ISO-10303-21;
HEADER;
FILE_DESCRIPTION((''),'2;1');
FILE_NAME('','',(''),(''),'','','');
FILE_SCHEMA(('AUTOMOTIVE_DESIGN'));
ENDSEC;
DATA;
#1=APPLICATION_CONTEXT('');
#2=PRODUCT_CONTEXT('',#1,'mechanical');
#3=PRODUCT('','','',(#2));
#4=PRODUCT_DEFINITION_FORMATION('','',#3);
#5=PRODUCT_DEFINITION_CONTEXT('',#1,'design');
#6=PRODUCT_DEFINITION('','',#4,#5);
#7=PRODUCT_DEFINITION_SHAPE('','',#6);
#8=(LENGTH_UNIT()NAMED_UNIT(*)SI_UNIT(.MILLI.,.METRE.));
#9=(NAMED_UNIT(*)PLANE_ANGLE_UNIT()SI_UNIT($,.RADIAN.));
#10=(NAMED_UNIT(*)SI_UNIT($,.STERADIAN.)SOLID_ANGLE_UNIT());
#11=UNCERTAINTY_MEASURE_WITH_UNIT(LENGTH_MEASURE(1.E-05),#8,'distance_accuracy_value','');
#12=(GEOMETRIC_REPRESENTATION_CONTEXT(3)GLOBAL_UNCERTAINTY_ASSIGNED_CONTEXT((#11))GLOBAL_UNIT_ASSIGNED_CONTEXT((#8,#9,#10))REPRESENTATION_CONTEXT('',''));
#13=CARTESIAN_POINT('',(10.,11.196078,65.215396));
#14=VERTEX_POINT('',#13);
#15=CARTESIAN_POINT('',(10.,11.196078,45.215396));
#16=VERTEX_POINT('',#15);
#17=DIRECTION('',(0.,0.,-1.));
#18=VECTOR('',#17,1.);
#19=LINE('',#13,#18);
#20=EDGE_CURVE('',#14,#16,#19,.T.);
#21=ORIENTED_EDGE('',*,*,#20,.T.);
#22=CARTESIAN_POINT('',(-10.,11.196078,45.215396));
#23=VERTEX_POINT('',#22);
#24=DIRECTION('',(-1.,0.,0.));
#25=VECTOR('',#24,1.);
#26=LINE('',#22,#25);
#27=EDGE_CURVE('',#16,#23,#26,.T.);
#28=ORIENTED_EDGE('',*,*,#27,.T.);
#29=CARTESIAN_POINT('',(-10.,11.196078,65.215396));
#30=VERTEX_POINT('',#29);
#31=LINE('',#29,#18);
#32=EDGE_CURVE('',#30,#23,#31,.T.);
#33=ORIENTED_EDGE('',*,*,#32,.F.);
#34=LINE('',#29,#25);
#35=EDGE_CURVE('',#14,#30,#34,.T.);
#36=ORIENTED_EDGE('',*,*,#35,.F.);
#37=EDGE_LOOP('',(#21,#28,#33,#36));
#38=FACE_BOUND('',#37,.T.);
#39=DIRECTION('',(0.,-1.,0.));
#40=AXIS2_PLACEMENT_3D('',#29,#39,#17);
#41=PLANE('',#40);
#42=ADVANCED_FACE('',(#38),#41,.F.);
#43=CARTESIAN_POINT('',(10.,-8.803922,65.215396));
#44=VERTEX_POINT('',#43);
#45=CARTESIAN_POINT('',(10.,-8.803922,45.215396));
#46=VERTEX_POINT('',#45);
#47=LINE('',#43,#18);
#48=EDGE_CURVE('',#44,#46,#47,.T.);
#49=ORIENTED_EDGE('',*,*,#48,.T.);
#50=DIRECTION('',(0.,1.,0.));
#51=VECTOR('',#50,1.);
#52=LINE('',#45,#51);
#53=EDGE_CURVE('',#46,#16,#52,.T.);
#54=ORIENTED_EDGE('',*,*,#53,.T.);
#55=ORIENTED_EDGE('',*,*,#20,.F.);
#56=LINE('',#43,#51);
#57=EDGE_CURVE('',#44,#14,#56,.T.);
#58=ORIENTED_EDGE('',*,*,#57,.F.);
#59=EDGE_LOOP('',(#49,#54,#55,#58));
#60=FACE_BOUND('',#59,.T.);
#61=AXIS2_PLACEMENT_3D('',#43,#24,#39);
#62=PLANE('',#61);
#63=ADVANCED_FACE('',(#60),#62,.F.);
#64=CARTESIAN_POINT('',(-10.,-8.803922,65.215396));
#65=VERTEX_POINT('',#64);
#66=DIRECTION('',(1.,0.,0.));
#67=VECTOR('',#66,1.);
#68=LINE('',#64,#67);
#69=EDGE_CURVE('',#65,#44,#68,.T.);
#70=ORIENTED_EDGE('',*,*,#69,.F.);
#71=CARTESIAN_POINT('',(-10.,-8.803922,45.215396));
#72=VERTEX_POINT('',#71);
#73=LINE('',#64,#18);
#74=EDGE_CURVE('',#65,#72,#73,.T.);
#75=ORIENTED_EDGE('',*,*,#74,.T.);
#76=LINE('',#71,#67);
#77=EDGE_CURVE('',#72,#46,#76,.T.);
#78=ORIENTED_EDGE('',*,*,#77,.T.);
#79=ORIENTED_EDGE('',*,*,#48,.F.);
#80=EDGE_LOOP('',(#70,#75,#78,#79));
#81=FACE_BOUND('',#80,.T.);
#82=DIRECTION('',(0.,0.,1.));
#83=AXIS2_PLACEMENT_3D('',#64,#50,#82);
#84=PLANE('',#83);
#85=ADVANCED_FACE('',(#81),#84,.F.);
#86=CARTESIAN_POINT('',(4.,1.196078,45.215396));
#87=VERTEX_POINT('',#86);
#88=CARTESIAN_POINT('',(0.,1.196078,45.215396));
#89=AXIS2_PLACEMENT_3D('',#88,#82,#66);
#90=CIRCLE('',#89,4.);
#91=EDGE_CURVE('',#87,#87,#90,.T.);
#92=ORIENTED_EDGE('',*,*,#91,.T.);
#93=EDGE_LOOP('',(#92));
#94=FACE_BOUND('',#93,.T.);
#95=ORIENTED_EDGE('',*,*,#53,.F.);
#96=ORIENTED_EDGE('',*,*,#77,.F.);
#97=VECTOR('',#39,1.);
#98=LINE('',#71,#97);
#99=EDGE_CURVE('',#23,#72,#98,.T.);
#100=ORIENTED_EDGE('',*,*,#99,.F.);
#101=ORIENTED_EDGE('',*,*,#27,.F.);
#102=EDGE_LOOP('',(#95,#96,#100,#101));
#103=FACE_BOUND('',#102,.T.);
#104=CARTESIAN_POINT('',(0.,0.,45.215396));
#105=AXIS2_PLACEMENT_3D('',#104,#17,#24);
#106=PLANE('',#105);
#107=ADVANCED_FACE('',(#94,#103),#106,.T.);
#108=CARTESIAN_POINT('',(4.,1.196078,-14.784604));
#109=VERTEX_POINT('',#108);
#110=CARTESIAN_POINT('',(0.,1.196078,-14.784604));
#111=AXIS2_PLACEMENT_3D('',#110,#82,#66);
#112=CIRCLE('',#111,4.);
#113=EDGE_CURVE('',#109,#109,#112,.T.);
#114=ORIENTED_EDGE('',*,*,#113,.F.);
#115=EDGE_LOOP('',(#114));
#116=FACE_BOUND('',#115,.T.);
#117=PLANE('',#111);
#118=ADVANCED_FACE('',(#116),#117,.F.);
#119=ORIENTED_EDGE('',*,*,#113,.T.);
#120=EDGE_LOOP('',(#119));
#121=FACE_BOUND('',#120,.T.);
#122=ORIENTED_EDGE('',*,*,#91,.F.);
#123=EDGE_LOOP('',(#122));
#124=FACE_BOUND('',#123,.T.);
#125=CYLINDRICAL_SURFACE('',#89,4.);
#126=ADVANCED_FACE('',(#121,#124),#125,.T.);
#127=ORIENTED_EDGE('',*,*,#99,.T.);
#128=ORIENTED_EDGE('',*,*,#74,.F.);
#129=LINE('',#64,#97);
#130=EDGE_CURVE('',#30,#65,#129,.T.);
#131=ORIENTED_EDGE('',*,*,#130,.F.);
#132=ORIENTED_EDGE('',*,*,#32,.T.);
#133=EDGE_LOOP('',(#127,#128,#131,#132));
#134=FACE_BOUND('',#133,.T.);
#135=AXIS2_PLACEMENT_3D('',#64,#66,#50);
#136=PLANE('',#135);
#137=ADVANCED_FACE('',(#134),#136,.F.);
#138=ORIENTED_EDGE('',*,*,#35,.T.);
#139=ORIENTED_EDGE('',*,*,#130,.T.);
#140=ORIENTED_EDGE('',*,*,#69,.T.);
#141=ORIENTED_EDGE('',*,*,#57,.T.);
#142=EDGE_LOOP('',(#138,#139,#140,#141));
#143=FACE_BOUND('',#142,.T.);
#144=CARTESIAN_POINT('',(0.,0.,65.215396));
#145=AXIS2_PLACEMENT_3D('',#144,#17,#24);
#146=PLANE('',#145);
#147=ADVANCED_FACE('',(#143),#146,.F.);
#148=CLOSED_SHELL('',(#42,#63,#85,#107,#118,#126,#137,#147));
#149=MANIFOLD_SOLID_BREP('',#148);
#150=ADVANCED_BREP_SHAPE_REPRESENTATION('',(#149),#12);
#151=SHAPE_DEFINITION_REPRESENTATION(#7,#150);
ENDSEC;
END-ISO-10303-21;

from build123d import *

# Parameters (mm, degrees)
SKETCH1_W           = 60
SKETCH1_H           = 4
SKETCH4_W           = 20
SKETCH4_H           = 20
BOSS_EXTRUDE2_DEPTH = 20


with BuildPart() as part:
    # Sketch1 → Revolve1 (revolve)
    with BuildSketch(Plane(origin=(0, 0, 0), x_dir=(0, 0, -1), z_dir=(1, 0, 0)), mode=Mode.PRIVATE) as revolve1_sk:
        with Locations((-15.215395953, 3.196078431)):
            Rectangle(SKETCH1_W, SKETCH1_H)
    revolve(revolve1_sk.sketch.rotate(Axis((0, 1.196078431, 45.215395953), (0, 0, -1)), 90), axis=Axis((0, 1.196078431, 45.215395953), (0, 0, -1)))

    # Sketch4 → Boss-Extrude2 (add)
    with BuildSketch(Plane.XY.offset(45.215395953)):
        with Locations((0, 1.196078431)):
            Rectangle(SKETCH4_W, SKETCH4_H)
    extrude(amount=BOSS_EXTRUDE2_DEPTH)


solid = part.part
